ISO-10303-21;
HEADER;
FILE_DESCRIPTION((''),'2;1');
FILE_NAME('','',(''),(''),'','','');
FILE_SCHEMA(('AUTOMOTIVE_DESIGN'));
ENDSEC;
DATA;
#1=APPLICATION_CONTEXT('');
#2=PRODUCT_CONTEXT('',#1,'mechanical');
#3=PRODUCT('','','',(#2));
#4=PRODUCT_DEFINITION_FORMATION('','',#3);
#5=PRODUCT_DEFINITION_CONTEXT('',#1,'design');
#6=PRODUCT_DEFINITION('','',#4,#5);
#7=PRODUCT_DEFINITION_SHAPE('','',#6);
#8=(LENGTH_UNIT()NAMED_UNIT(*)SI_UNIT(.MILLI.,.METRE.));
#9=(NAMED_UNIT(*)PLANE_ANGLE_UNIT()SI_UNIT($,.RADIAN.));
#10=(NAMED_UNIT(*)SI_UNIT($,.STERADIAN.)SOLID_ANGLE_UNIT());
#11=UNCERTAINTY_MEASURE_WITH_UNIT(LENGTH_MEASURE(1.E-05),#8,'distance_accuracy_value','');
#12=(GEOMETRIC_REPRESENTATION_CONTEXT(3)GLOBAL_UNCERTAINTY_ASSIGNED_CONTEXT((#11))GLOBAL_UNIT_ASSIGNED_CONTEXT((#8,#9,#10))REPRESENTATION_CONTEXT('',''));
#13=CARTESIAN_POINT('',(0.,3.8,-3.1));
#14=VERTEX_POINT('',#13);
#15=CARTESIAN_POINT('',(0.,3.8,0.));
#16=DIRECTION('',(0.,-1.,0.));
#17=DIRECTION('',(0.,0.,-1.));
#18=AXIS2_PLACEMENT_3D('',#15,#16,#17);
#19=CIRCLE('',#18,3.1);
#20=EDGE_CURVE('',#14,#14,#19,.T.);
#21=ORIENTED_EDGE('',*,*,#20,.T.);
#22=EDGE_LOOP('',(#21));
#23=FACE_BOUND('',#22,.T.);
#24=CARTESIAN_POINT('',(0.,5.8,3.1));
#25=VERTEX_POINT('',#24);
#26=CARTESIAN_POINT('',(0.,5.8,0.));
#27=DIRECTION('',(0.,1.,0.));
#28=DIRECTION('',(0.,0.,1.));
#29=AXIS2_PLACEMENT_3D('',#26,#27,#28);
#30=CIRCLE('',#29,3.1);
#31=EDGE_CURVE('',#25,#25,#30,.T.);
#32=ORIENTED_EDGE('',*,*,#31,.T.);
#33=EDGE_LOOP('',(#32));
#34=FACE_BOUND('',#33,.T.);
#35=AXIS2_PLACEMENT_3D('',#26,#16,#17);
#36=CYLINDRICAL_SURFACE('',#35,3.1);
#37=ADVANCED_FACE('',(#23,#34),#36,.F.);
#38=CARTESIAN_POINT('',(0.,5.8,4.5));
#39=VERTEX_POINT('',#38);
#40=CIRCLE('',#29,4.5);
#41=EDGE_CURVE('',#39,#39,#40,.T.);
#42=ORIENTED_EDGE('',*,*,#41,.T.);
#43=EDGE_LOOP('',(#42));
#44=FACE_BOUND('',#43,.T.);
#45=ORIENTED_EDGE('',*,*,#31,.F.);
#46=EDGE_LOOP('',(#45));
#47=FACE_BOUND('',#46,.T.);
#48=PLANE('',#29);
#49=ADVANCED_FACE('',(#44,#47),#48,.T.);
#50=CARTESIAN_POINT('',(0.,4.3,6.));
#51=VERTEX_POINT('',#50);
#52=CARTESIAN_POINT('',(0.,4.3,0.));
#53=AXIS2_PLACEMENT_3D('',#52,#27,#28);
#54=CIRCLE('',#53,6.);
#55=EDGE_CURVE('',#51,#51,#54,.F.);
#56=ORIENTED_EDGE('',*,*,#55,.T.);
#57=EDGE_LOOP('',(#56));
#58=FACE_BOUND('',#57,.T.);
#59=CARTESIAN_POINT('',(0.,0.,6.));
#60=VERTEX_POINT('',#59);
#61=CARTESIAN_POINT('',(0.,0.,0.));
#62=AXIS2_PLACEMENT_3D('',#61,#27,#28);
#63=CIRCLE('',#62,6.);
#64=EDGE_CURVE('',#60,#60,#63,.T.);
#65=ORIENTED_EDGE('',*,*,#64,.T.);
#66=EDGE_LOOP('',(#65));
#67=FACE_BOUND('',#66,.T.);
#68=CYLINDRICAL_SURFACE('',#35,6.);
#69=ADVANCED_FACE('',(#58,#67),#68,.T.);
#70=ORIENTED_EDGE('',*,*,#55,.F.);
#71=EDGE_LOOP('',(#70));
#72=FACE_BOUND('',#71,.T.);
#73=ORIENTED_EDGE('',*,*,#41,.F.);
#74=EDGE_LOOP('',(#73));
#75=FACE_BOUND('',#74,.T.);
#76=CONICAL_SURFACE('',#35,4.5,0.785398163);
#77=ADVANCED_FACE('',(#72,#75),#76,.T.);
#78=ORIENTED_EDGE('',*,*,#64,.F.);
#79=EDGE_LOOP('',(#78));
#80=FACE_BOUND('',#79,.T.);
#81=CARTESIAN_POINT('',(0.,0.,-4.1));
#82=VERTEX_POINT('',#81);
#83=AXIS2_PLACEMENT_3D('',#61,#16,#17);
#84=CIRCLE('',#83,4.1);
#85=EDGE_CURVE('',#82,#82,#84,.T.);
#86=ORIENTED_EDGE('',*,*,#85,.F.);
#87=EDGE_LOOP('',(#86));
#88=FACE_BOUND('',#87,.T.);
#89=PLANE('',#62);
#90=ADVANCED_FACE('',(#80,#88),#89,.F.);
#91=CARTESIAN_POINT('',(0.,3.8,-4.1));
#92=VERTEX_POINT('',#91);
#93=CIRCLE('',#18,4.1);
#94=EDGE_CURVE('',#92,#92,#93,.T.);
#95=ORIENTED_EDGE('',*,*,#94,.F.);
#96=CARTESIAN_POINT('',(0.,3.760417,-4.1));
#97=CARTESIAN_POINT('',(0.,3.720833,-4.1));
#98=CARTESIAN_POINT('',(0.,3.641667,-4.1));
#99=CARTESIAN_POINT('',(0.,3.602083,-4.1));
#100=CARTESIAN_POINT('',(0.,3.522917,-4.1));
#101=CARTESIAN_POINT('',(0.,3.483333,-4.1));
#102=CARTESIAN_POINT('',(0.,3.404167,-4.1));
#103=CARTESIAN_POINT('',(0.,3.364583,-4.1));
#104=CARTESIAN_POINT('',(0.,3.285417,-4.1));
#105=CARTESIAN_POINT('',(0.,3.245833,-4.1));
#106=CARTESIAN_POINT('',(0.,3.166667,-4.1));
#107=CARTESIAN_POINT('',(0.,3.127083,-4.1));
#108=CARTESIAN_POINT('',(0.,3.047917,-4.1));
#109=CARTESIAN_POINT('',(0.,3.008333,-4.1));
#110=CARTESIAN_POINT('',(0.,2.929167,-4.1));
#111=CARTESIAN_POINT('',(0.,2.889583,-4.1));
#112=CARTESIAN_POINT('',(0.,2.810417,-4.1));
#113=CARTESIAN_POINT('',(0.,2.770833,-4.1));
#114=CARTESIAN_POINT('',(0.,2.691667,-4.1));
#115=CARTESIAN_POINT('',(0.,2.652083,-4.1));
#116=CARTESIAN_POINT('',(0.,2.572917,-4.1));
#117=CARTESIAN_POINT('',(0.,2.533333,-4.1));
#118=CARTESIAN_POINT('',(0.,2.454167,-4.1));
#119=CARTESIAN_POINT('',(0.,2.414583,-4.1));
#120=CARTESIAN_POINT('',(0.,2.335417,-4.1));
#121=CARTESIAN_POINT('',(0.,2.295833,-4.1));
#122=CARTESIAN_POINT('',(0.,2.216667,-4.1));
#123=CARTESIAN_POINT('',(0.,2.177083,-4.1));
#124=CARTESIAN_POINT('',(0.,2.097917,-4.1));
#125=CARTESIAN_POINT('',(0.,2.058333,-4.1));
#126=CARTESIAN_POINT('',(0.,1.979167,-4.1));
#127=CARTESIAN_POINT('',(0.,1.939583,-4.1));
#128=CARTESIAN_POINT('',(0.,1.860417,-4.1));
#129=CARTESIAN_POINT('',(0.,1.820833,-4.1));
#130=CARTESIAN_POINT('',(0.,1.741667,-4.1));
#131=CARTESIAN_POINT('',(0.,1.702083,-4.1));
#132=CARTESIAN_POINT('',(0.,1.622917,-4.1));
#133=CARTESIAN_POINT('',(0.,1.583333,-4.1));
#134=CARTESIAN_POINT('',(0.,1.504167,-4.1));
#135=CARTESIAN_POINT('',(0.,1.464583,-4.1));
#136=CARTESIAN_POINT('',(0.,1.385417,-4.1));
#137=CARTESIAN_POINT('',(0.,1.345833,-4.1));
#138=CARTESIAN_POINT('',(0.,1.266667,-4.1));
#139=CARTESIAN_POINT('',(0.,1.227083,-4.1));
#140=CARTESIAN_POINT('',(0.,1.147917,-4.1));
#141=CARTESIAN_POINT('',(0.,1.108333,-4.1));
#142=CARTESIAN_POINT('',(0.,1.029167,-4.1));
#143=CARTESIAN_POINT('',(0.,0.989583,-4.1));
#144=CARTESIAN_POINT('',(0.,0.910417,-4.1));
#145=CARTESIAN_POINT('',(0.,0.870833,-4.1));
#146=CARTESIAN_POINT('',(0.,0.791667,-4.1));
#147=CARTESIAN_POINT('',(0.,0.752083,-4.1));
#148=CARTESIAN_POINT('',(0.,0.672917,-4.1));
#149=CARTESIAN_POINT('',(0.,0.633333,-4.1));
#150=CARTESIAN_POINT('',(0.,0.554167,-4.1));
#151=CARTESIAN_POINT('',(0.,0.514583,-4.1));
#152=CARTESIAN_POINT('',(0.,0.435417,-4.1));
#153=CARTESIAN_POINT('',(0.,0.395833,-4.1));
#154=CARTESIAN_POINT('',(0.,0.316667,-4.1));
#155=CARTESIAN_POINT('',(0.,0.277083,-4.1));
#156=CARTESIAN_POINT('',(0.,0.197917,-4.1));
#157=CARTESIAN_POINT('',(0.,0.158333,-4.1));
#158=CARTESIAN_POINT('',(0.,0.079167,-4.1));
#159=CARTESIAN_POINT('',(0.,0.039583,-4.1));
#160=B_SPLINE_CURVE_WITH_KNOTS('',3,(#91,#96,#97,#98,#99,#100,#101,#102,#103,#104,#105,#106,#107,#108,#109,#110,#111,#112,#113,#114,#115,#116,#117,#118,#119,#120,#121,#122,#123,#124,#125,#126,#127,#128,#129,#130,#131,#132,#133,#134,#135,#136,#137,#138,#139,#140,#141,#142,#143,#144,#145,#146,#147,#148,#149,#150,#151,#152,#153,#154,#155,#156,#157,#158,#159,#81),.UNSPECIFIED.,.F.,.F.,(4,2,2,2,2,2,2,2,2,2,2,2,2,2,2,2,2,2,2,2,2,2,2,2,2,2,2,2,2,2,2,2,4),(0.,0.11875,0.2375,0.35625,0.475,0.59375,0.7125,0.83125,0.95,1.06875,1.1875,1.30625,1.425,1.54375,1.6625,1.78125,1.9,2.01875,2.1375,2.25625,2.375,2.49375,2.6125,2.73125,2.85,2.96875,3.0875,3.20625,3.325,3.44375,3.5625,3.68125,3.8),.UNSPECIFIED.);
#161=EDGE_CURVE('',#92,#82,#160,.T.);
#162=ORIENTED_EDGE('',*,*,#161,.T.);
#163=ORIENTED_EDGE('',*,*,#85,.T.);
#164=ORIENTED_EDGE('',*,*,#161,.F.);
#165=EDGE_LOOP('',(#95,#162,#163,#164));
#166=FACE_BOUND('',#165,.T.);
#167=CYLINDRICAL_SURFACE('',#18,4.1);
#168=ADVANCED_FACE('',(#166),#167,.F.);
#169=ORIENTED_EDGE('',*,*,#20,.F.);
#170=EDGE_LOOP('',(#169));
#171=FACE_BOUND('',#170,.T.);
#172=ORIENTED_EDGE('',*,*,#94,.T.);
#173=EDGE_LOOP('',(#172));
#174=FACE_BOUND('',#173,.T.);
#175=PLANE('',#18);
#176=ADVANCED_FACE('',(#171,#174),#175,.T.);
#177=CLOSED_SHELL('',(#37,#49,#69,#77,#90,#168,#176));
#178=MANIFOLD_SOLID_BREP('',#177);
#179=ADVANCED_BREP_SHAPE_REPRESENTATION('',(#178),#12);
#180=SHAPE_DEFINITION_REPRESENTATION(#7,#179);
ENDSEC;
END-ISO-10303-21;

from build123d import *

# Parameters (mm, degrees)
SKETCH1_R           = 6
SKETCH1_R_2         = 3.1
BOSS_EXTRUDE1_DEPTH = 5.8
SKETCH2_R           = 4.1
CUT_EXTRUDE1_DEPTH  = 3.8
CHAMFER1_SIZE       = 1.5


with BuildPart() as part:
    # Sketch1 → Boss-Extrude1 (new body)
    with BuildSketch(Plane(origin=(0, 0, 0), x_dir=(1, 0, 0), z_dir=(0, 1, 0))):
        with Locations(Location((0, 0, 0), (0, 0, 270))):
            Circle(SKETCH1_R)
        with Locations(Location((0, 0, 0), (0, 0, 270))):
            Circle(SKETCH1_R_2, mode=Mode.SUBTRACT)
    extrude(amount=BOSS_EXTRUDE1_DEPTH)

    # Sketch2 → Cut-Extrude1 (cut)
    with BuildSketch(Plane.XZ):
        with Locations(Location((0, 0, 0), (0, 0, 270))):
            Circle(SKETCH2_R)
    extrude(amount=-CUT_EXTRUDE1_DEPTH, mode=Mode.SUBTRACT)

    # Chamfer1
    chamfer1_edges = [part.edges().sort_by_distance(p)[0] for p in [
        (0, 5.8, -6),
    ]]
    chamfer(chamfer1_edges, length=CHAMFER1_SIZE)


solid = part.part
